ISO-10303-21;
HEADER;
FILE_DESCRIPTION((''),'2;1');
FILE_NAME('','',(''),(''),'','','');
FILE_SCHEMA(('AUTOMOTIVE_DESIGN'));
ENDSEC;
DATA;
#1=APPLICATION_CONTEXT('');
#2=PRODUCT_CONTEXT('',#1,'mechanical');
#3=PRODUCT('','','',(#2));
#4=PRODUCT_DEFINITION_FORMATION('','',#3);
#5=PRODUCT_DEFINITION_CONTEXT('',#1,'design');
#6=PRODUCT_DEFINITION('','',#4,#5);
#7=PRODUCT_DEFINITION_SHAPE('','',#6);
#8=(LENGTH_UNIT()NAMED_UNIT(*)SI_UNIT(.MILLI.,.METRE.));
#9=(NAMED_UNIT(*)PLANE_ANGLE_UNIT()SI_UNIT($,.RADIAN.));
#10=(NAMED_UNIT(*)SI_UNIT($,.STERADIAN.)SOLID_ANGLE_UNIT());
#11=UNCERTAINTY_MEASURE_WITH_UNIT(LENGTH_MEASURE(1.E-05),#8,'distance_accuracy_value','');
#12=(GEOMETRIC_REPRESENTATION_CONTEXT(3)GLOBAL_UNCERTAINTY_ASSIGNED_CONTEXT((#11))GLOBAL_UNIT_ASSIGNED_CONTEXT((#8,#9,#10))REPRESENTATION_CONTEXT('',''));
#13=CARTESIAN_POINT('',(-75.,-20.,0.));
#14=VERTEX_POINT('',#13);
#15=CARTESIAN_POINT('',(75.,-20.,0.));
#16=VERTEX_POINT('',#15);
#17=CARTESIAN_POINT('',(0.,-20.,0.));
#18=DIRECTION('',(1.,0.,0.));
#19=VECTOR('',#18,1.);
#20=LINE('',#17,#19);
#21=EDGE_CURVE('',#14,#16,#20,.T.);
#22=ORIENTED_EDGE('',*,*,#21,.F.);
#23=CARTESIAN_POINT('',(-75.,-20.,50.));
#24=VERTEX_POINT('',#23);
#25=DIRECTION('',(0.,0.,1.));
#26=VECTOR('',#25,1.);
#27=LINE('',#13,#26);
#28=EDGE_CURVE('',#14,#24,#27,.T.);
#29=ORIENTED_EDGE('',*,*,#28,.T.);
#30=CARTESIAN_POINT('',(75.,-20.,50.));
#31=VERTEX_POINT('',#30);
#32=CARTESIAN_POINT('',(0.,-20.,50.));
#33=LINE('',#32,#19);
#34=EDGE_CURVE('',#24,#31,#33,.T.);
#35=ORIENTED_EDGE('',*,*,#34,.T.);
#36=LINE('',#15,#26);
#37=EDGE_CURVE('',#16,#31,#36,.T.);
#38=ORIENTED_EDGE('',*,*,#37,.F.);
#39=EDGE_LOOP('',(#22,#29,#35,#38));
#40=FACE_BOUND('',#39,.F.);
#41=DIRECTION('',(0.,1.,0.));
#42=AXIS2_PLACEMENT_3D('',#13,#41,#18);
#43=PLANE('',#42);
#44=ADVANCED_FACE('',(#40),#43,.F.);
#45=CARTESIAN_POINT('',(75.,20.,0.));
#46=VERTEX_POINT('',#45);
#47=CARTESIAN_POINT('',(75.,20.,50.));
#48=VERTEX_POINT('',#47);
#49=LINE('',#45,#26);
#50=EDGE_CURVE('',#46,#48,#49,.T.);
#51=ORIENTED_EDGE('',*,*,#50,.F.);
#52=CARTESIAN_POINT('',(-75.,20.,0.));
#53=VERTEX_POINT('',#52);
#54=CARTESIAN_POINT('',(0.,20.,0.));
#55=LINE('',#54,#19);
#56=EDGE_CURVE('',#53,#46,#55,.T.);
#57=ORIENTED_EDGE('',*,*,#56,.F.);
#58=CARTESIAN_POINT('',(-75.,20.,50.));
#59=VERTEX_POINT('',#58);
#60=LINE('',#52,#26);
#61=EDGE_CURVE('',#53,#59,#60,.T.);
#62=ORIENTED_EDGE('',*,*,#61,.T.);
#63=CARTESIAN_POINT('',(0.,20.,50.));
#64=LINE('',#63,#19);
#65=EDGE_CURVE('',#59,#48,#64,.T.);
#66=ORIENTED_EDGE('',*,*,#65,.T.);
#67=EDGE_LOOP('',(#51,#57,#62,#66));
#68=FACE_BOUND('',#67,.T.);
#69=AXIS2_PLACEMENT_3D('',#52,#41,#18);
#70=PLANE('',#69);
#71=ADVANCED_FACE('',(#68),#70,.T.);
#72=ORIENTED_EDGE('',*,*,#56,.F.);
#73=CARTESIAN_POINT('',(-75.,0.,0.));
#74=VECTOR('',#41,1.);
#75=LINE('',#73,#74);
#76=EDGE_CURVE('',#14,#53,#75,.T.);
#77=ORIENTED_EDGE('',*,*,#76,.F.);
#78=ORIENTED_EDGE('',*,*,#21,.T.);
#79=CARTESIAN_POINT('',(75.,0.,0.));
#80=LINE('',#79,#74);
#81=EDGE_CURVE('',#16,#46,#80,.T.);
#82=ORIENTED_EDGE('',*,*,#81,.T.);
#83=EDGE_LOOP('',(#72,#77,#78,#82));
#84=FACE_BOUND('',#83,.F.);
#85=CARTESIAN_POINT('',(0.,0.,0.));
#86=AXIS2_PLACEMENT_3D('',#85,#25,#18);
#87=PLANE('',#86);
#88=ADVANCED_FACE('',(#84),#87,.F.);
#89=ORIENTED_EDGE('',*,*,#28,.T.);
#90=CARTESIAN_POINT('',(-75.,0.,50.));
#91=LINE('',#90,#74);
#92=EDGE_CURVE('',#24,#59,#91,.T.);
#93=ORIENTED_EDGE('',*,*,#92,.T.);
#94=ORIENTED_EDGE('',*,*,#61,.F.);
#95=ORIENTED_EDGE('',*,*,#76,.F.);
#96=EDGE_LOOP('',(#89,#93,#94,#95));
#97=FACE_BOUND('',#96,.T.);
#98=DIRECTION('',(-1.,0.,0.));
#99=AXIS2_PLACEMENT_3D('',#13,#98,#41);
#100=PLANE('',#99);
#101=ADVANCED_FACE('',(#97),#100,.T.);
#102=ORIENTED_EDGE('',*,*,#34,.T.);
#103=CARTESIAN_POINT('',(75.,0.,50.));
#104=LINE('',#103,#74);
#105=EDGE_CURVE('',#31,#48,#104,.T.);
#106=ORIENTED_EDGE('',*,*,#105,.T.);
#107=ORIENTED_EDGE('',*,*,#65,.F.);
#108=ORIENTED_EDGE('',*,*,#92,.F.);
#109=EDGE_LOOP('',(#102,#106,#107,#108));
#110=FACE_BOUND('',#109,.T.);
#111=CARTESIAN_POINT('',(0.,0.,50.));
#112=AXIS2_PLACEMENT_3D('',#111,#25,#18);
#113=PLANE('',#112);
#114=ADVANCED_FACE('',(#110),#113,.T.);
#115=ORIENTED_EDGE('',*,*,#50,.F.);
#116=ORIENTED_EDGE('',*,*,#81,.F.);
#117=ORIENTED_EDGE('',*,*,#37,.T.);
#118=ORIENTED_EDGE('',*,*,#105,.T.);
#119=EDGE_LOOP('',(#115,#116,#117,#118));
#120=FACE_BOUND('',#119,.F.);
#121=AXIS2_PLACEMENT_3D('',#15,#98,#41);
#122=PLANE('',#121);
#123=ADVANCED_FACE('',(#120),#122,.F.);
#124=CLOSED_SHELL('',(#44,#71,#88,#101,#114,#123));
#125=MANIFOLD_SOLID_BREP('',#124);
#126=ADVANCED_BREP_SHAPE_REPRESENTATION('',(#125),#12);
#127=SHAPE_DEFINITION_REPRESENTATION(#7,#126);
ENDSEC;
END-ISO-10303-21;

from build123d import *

# Parameters (mm, degrees)
SKETCH_W      = 150
SKETCH_H      = 40
EXTRUDE_DEPTH = 50


with BuildPart() as part:
    # Sketch → Extrude (new body)
    with BuildSketch(Plane.XY):
        Rectangle(SKETCH_W, SKETCH_H)
    extrude(amount=EXTRUDE_DEPTH)


solid = part.part
